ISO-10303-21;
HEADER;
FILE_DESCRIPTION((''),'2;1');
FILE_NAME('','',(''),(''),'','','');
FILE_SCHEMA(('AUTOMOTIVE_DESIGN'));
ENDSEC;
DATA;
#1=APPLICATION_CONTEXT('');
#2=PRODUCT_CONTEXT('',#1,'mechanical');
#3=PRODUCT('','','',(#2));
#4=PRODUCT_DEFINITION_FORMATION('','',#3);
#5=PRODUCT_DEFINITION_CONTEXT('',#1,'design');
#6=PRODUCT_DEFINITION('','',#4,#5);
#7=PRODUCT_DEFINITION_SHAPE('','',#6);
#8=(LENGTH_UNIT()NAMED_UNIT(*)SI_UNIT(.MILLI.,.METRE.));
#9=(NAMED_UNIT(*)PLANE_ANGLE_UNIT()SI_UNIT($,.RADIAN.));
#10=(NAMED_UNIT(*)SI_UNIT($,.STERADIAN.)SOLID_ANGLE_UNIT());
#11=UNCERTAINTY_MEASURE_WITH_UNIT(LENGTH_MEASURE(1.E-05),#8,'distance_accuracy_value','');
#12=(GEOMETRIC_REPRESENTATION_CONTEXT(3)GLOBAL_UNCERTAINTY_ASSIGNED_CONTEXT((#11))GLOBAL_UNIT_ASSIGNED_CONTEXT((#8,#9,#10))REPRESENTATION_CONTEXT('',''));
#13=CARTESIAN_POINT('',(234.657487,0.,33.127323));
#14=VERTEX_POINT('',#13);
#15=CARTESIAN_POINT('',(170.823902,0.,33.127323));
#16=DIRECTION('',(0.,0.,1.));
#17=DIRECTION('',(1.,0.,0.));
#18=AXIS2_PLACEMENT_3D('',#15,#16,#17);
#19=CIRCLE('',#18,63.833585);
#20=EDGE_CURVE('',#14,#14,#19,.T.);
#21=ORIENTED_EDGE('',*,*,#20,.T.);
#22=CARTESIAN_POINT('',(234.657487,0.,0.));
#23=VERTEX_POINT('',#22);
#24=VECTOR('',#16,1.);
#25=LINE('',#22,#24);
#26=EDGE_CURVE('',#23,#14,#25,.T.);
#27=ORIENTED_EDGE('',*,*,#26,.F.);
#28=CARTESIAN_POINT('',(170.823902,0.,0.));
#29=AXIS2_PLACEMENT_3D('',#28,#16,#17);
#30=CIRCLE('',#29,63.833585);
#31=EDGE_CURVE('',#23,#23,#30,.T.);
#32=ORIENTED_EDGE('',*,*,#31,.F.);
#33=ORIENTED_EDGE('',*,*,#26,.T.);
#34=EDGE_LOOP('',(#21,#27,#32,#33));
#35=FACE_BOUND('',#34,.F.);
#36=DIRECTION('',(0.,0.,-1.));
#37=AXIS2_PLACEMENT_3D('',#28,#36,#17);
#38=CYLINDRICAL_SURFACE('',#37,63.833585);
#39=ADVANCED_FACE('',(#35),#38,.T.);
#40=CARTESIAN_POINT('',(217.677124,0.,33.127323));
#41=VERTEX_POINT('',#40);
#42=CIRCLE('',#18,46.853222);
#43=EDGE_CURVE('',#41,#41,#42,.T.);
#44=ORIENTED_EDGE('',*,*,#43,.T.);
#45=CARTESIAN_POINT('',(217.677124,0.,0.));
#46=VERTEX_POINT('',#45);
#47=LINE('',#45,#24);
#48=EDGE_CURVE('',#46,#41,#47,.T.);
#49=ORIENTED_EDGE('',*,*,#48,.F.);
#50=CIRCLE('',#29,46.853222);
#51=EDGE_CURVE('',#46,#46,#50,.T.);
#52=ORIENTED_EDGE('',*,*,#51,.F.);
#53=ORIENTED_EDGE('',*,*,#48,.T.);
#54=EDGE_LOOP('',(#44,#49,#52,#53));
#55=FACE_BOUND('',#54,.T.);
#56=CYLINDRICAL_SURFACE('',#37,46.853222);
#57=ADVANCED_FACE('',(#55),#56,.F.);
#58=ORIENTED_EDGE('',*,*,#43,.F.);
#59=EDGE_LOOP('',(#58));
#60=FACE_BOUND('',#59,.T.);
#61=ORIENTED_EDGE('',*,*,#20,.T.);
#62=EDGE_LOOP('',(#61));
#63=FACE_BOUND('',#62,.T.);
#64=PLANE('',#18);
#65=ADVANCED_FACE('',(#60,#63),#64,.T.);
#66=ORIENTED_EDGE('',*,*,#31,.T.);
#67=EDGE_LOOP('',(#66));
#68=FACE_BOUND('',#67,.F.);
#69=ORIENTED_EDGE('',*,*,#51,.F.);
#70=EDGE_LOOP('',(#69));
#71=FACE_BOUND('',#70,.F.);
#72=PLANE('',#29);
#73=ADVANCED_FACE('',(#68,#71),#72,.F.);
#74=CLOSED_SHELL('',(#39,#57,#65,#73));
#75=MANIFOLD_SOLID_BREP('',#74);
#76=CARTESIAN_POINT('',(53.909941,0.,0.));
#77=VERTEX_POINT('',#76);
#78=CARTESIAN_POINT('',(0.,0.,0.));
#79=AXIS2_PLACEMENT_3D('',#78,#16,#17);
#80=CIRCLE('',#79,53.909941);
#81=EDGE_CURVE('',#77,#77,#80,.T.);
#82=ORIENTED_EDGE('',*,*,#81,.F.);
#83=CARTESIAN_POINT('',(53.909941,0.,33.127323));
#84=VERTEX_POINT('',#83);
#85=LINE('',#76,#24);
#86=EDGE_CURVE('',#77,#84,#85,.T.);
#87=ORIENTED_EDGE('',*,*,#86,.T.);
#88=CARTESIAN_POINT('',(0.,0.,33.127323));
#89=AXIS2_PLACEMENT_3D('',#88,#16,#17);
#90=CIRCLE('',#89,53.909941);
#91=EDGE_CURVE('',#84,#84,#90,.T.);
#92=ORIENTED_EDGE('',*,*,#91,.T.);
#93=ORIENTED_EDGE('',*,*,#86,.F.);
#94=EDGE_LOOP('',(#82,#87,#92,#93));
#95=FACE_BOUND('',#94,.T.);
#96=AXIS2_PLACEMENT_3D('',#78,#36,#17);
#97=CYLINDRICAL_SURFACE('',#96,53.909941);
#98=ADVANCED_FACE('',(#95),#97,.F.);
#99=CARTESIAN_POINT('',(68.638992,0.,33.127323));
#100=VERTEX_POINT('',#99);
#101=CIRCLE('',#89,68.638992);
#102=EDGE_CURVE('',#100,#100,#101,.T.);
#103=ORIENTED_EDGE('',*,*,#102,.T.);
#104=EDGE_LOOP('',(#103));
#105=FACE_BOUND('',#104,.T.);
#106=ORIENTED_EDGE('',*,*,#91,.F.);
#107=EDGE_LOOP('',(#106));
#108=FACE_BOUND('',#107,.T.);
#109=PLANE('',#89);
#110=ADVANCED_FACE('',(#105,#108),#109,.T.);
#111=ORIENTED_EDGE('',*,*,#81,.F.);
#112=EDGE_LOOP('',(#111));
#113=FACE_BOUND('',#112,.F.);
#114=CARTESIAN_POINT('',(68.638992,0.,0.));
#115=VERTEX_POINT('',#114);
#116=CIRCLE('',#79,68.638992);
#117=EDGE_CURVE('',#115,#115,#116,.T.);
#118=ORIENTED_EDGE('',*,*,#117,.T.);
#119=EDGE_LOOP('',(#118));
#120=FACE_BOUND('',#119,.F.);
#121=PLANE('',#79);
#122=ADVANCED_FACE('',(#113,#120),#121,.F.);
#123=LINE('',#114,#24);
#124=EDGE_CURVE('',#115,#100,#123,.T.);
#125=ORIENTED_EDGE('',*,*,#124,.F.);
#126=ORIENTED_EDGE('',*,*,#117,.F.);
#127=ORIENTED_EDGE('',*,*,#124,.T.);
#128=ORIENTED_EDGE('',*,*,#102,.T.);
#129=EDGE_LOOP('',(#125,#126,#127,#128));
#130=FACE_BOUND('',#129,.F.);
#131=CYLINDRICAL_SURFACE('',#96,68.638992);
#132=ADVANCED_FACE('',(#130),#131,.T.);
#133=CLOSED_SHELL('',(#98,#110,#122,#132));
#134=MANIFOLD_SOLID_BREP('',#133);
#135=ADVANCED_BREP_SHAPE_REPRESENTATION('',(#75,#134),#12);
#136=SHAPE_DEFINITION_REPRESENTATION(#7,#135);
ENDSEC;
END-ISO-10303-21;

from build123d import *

# Parameters (mm, degrees)
F0_R     = 68.638992
F0_R_2   = 53.909941
F0_R_3   = 63.833585
F0_R_4   = 46.853222
F1_DEPTH = 33.127323


with BuildPart() as f1:
    # F0 (on Top) → F1 (new body)
    with BuildSketch(Plane.XY):
        Circle(F0_R)
        Circle(F0_R_2, mode=Mode.SUBTRACT)
        with Locations((170.823902, 0)):
            Circle(F0_R_3)
        with Locations((170.823902, 0)):
            Circle(F0_R_4, mode=Mode.SUBTRACT)
    extrude(amount=F1_DEPTH)


solid = f1.part
